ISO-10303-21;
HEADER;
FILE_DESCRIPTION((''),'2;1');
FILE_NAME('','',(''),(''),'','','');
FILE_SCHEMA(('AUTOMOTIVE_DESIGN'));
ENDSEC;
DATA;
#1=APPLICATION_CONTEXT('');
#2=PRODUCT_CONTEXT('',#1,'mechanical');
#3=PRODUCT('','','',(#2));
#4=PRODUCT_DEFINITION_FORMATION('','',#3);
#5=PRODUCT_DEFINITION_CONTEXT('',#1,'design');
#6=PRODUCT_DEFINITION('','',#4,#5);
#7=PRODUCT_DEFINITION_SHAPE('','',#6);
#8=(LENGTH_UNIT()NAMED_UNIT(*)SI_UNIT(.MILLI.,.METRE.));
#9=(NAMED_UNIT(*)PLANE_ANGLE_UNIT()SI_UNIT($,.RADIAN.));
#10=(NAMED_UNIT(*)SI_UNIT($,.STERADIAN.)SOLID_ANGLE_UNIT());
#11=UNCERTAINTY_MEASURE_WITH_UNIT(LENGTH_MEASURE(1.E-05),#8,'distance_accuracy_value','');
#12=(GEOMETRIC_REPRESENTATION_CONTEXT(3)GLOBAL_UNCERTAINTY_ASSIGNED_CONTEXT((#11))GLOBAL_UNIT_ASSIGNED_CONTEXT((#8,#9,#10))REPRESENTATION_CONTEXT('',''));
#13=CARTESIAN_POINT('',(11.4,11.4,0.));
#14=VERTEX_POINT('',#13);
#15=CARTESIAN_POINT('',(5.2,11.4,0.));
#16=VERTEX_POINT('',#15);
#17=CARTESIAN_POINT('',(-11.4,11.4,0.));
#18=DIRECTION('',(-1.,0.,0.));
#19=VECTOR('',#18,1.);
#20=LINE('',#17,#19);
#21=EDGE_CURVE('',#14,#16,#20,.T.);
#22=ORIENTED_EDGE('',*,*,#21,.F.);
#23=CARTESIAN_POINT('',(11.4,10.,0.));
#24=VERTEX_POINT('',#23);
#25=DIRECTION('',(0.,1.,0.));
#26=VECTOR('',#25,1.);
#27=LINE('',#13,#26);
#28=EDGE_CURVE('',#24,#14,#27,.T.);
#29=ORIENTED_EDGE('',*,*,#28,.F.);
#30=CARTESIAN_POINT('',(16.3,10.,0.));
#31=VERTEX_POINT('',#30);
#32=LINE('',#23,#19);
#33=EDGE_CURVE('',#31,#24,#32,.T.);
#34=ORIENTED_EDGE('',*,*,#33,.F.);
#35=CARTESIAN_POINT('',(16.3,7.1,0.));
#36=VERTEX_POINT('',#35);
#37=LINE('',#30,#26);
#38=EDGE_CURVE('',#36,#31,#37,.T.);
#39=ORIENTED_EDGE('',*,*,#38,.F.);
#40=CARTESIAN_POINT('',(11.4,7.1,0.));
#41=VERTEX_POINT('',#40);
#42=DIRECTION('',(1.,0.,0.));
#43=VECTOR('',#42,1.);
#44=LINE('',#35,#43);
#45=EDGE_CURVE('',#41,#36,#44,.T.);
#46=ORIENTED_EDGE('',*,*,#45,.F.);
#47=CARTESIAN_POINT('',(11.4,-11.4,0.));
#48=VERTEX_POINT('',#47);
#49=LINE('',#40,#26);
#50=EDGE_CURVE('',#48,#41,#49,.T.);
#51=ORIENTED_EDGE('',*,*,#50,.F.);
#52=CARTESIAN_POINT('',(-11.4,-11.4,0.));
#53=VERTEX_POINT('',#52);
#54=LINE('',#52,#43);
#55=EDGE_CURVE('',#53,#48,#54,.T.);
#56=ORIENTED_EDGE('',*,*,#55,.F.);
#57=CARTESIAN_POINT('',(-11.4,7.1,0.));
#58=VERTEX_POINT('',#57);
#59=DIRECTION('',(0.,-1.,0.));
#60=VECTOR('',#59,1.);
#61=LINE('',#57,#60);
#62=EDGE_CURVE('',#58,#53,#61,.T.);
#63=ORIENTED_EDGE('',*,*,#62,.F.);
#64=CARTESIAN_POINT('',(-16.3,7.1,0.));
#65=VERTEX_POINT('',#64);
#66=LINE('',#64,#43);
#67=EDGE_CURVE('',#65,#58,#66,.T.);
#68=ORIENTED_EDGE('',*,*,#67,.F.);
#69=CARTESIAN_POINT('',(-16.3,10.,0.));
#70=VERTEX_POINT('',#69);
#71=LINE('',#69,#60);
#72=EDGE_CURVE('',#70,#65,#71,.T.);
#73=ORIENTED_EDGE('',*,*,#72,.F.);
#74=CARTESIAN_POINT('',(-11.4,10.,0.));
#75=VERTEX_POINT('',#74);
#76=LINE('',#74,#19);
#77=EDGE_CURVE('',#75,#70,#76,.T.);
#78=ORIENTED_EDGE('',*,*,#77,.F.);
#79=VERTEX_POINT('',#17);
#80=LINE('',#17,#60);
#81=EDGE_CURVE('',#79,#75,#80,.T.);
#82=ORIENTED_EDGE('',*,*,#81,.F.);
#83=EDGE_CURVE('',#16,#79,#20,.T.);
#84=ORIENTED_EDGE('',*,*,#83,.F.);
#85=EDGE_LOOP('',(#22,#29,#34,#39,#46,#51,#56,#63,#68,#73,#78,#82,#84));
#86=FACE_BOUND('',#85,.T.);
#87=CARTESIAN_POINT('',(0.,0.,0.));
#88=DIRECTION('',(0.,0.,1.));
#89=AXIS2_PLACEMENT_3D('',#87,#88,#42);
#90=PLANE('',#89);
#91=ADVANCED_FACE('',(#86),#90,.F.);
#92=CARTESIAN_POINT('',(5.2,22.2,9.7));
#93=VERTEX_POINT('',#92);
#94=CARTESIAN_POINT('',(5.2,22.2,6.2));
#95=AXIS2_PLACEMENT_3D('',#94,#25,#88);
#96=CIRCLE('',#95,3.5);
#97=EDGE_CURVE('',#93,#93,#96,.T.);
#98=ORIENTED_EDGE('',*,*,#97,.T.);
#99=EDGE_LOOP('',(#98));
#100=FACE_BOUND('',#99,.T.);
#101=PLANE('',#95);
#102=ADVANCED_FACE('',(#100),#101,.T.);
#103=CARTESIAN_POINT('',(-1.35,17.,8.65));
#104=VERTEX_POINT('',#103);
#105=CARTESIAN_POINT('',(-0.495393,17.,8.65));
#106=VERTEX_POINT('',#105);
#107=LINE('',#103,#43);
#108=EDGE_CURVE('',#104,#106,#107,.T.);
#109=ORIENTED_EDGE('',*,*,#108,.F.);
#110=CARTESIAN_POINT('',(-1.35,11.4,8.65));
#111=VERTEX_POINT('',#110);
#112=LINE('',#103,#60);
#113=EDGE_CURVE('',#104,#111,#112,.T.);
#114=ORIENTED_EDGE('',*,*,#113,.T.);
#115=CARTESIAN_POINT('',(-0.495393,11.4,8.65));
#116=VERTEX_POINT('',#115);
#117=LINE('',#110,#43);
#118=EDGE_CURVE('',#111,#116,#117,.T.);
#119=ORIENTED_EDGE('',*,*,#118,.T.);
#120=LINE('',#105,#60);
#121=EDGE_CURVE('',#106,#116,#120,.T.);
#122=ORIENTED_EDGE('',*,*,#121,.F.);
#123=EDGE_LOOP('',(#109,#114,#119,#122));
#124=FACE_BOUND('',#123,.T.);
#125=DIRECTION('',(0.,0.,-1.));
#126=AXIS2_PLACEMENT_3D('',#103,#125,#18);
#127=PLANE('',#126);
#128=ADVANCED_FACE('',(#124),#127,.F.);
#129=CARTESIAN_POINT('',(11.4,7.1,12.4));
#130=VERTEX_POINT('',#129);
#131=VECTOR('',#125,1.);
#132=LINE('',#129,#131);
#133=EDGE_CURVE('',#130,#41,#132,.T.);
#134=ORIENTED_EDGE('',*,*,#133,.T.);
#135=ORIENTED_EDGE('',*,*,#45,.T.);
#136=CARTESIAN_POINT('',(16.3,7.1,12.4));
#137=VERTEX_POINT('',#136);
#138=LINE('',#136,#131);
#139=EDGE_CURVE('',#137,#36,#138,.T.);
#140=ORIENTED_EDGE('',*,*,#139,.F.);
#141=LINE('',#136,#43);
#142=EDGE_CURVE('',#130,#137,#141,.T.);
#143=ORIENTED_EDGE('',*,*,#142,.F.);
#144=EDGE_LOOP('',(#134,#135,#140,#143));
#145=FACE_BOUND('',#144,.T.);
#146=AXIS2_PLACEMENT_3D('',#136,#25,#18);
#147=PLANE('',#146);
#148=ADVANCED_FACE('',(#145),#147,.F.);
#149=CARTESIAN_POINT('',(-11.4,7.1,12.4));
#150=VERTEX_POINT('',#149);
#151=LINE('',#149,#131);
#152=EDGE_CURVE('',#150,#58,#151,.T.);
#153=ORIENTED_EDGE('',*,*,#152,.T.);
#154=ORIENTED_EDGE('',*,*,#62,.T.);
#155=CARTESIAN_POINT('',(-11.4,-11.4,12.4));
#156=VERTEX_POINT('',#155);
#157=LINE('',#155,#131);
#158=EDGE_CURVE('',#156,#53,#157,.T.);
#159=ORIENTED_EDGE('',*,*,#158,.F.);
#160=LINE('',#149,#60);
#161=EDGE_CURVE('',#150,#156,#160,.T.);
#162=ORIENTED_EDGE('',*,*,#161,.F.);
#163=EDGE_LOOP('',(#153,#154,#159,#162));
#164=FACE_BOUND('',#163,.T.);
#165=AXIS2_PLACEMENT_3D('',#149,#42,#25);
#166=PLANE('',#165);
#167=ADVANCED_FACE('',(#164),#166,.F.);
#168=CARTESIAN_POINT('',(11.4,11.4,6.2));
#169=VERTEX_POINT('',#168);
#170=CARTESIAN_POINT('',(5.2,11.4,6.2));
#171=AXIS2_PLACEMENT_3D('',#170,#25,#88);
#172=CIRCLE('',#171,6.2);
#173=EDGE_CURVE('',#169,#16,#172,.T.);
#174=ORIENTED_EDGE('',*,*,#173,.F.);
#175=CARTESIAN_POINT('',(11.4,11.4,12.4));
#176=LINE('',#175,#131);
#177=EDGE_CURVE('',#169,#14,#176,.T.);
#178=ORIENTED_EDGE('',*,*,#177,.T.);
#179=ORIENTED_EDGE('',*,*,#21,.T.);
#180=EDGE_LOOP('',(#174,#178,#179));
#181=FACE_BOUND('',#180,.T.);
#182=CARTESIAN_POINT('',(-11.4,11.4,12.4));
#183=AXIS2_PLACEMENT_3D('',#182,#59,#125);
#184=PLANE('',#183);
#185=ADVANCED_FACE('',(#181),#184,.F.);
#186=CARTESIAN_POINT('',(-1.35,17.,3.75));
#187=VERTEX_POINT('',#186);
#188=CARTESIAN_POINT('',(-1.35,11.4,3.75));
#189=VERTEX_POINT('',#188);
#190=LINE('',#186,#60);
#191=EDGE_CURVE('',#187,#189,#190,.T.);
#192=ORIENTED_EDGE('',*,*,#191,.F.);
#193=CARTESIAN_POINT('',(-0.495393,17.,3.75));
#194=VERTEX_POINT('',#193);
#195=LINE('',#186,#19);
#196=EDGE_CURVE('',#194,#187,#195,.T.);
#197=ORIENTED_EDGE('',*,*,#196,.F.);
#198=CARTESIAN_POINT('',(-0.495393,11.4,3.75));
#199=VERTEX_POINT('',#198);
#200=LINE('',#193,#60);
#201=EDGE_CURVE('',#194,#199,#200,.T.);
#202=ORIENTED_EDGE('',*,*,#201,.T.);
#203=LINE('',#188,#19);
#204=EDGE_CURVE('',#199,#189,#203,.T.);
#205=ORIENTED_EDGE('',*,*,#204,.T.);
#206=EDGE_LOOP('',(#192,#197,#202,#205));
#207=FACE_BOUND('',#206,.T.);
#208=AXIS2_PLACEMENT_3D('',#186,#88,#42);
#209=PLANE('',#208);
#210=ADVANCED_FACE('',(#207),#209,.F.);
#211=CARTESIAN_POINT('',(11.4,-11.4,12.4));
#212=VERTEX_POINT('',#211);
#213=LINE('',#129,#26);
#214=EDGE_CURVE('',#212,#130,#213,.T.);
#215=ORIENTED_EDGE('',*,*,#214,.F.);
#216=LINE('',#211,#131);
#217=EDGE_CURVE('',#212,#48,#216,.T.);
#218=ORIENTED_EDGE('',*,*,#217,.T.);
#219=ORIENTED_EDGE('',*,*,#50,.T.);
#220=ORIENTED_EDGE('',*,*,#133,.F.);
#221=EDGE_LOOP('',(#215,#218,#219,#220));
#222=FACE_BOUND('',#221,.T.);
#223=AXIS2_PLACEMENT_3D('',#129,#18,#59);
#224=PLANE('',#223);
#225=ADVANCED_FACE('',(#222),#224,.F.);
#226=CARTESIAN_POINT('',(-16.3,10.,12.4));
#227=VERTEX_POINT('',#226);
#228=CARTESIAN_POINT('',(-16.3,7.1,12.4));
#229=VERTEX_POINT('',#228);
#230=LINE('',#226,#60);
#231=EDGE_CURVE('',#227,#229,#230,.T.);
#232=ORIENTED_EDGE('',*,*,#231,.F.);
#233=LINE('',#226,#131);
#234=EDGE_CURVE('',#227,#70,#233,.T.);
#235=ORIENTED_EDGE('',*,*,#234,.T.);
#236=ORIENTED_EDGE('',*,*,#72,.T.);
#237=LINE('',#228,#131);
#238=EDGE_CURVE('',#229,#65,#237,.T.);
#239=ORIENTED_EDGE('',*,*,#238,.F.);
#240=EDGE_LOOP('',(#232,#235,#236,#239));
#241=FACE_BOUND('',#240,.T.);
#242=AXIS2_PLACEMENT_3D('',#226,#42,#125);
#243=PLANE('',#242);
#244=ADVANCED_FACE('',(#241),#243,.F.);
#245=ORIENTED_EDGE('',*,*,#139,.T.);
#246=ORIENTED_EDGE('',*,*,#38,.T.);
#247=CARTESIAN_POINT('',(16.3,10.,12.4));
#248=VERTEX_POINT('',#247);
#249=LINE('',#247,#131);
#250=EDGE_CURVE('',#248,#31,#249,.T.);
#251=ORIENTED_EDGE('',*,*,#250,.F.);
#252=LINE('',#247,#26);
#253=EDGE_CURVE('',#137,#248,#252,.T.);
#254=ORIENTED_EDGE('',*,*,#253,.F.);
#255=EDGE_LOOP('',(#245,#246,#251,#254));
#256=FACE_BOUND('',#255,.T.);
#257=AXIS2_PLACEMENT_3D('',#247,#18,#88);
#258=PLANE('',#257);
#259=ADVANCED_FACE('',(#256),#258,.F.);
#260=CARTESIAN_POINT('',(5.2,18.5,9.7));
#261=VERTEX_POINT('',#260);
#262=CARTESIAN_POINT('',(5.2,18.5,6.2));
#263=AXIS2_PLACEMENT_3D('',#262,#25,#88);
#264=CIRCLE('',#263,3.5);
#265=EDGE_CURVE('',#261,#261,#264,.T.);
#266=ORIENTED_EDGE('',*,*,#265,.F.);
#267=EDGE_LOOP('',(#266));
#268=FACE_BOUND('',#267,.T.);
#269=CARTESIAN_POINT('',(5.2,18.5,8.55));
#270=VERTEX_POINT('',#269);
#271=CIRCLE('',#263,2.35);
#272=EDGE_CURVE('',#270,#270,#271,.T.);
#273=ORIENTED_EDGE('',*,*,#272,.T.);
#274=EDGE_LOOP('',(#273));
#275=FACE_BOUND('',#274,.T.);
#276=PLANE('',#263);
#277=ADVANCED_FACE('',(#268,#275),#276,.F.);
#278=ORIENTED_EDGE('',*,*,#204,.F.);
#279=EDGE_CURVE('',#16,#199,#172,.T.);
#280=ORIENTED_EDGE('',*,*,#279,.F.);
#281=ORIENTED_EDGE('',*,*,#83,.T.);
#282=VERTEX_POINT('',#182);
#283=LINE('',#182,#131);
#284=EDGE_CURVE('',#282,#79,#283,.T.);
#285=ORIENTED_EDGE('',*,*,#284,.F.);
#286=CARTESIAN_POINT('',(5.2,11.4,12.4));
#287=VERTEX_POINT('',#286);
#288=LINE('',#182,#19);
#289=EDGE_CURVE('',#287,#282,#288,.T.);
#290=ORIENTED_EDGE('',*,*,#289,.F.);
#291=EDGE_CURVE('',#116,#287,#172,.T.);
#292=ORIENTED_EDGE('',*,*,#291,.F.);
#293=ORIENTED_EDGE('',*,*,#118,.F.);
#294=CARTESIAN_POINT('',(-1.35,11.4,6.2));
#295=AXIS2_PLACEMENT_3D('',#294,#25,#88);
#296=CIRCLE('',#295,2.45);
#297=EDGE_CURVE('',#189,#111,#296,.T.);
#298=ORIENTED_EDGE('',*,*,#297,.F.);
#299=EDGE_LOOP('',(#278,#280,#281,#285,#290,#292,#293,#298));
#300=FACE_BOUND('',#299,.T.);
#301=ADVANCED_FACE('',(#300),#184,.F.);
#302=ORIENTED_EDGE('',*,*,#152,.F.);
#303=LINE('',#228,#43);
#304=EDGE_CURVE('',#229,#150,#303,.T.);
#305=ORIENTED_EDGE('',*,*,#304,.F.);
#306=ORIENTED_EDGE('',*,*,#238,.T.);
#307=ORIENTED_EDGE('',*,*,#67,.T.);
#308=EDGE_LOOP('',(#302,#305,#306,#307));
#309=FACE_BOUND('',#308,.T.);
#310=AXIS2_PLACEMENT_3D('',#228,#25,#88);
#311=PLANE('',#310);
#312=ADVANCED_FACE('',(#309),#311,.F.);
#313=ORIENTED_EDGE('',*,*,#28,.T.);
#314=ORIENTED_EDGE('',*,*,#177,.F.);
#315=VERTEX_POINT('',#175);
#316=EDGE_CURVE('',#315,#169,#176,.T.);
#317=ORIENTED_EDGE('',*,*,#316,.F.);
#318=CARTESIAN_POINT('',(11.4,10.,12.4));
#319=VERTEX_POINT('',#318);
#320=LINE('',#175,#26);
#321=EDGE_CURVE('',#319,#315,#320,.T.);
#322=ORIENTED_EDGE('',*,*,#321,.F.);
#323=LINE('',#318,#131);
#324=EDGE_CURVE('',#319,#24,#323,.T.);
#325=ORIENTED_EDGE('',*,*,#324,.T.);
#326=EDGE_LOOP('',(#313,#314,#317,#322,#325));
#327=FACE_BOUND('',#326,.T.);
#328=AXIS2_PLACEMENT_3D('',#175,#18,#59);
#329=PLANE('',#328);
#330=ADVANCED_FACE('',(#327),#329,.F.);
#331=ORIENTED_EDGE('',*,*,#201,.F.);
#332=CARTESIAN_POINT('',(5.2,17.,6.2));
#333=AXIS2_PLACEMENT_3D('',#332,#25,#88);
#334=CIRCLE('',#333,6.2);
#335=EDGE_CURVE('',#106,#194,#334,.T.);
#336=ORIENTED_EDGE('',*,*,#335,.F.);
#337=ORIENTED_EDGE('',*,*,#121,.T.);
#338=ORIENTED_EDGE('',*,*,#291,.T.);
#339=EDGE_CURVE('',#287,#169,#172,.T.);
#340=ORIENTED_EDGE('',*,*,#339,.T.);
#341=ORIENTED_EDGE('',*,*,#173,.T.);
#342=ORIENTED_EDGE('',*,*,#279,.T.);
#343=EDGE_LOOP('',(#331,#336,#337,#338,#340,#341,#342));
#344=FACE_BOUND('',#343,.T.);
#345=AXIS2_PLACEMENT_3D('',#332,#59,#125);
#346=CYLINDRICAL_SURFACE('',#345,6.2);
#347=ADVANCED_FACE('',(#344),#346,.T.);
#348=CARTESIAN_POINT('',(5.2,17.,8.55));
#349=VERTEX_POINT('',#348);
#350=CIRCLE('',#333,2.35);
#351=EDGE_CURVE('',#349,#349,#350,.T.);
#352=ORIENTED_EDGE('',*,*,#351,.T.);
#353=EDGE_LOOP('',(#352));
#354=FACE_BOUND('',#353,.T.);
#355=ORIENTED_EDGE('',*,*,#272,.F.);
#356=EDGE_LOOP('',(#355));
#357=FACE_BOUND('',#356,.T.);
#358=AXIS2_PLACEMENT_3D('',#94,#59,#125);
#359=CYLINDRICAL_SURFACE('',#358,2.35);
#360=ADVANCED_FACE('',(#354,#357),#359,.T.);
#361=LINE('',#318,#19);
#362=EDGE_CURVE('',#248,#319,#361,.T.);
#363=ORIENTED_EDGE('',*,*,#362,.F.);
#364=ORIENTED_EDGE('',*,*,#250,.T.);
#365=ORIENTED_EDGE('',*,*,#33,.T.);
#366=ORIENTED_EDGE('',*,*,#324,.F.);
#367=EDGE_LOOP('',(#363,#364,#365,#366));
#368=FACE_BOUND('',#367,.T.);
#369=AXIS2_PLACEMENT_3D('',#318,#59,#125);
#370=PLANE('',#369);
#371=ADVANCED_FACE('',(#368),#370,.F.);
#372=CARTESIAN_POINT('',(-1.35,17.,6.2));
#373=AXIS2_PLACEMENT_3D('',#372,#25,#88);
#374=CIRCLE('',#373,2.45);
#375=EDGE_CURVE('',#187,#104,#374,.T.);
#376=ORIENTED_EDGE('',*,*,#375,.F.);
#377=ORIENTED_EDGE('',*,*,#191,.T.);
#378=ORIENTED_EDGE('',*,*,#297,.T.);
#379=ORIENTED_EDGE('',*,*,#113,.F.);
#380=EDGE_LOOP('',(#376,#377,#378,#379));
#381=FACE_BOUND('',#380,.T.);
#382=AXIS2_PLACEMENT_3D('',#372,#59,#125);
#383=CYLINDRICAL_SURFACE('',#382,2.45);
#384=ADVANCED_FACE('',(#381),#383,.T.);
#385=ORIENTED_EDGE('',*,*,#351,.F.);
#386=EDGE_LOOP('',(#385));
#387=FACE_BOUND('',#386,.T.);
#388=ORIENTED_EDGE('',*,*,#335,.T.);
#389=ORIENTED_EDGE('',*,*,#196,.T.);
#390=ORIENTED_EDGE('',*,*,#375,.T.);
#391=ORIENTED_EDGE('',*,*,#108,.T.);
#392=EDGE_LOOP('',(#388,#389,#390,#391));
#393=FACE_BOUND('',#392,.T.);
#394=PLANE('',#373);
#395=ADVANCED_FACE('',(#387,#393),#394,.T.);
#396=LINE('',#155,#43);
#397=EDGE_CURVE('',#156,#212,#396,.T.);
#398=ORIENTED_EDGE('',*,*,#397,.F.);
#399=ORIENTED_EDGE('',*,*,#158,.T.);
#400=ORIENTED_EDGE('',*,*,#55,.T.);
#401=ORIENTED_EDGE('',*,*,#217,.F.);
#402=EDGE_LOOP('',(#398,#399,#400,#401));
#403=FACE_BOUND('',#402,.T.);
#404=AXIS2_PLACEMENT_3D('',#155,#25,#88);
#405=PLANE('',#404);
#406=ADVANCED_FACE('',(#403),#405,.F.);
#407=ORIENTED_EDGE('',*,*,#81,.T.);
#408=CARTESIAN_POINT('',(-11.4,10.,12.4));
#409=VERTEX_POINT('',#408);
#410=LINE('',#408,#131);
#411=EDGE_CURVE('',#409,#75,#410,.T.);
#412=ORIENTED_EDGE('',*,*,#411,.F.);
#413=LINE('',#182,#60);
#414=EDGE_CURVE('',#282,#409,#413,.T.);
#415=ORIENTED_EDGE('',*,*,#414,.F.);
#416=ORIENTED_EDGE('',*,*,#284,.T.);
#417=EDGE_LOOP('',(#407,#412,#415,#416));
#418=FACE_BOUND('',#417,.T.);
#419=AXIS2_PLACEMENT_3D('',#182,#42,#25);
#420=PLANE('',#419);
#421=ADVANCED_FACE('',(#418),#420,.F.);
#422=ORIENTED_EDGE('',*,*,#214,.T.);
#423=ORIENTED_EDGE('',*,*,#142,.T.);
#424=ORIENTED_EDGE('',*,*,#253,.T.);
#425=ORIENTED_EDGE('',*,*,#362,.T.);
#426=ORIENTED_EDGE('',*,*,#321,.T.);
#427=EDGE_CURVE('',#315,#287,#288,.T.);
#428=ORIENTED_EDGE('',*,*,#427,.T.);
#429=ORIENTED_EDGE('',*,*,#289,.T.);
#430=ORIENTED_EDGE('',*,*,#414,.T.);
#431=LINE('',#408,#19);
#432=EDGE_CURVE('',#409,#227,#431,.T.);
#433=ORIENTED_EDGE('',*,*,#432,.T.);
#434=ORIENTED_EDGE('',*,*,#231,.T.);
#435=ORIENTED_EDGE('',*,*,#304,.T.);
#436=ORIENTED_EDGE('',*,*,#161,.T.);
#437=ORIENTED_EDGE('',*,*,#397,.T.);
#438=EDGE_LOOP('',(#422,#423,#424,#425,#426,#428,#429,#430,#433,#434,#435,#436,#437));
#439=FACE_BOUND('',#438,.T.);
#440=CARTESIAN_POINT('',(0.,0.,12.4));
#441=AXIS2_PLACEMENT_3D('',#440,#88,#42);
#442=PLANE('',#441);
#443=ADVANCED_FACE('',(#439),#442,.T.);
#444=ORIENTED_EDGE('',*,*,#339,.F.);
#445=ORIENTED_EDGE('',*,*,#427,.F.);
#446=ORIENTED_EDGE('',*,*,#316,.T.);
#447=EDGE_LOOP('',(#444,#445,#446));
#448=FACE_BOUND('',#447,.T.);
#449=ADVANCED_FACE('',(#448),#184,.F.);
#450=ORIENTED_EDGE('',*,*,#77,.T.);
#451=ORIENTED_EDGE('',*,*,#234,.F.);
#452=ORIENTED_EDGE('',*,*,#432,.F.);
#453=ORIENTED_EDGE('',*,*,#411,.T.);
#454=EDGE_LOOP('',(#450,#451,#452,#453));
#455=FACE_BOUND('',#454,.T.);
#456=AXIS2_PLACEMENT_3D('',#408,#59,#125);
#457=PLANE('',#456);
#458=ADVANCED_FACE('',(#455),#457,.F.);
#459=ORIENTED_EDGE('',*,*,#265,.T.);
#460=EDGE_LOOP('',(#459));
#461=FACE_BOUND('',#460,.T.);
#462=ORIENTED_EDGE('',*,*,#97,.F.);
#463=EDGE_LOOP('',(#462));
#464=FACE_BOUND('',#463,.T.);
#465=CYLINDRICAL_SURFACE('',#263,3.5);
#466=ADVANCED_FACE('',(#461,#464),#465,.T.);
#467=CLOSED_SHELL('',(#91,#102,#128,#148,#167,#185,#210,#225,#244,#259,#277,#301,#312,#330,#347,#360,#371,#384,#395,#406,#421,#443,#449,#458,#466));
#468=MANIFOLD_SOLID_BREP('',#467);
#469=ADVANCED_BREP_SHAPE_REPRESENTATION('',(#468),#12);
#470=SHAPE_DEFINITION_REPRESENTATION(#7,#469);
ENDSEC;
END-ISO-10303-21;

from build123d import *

# Parameters (mm, degrees)
BOSS_EXTRU_1_DEPTH = 12.4
BOSS_EXTRU_2_DEPTH = 5.6
ESQUISSE3_R        = 2.35
BOSS_EXTRU_3_DEPTH = 5.2
ESQUISSE4_R        = 3.5
BOSS_EXTRU_4_DEPTH = 3.7


with BuildPart() as part:
    # Esquisse1 → Boss.-Extru.1 (new body)
    with BuildSketch(Plane.XY):
        Polygon((-11.4, 10), (-16.3, 10), (-16.3, 7.1), (-11.4, 7.1), (-11.4, -11.4), (11.4, -11.4), (11.4, 7.1), (16.3, 7.1), (16.3, 10), (11.4, 10), (11.4, 11.4), (-11.4, 11.4), align=None)
    extrude(amount=BOSS_EXTRU_1_DEPTH)

    # Esquisse2 → Boss.-Extru.2 (add)
    with BuildSketch(Plane(origin=(0, 11.4, 0), x_dir=(1, 0, 0), z_dir=(0, 1, 0))):
        with BuildLine():
            Line((-1.35, -3.75), (-0.495392875, -3.75))
            ThreePointArc((-0.495392875, -3.75), (11.4, -6.2), (-0.495392875, -8.65))
            Line((-0.495392875, -8.65), (-1.35, -8.65))
            ThreePointArc((-1.35, -8.65), (-3.8, -6.2), (-1.35, -3.75))
        make_face()
    extrude(amount=BOSS_EXTRU_2_DEPTH)

    # Esquisse3 → Boss.-Extru.3 (add)
    with BuildSketch(Plane(origin=(0, 17, 0), x_dir=(1, 0, 0), z_dir=(0, 1, 0))):
        with Locations(Location((5.2, -6.2, 0), (0, 0, 270))):
            Circle(ESQUISSE3_R)
    extrude(amount=BOSS_EXTRU_3_DEPTH)

    # Esquisse4 → Boss.-Extru.4 (add)
    with BuildSketch(Plane(origin=(0, 22.2, 0), x_dir=(1, 0, 0), z_dir=(0, 1, 0))):
        with Locations(Location((5.2, -6.2, 0), (0, 0, 270))):
            Circle(ESQUISSE4_R)
    extrude(amount=-BOSS_EXTRU_4_DEPTH)


solid = part.part
